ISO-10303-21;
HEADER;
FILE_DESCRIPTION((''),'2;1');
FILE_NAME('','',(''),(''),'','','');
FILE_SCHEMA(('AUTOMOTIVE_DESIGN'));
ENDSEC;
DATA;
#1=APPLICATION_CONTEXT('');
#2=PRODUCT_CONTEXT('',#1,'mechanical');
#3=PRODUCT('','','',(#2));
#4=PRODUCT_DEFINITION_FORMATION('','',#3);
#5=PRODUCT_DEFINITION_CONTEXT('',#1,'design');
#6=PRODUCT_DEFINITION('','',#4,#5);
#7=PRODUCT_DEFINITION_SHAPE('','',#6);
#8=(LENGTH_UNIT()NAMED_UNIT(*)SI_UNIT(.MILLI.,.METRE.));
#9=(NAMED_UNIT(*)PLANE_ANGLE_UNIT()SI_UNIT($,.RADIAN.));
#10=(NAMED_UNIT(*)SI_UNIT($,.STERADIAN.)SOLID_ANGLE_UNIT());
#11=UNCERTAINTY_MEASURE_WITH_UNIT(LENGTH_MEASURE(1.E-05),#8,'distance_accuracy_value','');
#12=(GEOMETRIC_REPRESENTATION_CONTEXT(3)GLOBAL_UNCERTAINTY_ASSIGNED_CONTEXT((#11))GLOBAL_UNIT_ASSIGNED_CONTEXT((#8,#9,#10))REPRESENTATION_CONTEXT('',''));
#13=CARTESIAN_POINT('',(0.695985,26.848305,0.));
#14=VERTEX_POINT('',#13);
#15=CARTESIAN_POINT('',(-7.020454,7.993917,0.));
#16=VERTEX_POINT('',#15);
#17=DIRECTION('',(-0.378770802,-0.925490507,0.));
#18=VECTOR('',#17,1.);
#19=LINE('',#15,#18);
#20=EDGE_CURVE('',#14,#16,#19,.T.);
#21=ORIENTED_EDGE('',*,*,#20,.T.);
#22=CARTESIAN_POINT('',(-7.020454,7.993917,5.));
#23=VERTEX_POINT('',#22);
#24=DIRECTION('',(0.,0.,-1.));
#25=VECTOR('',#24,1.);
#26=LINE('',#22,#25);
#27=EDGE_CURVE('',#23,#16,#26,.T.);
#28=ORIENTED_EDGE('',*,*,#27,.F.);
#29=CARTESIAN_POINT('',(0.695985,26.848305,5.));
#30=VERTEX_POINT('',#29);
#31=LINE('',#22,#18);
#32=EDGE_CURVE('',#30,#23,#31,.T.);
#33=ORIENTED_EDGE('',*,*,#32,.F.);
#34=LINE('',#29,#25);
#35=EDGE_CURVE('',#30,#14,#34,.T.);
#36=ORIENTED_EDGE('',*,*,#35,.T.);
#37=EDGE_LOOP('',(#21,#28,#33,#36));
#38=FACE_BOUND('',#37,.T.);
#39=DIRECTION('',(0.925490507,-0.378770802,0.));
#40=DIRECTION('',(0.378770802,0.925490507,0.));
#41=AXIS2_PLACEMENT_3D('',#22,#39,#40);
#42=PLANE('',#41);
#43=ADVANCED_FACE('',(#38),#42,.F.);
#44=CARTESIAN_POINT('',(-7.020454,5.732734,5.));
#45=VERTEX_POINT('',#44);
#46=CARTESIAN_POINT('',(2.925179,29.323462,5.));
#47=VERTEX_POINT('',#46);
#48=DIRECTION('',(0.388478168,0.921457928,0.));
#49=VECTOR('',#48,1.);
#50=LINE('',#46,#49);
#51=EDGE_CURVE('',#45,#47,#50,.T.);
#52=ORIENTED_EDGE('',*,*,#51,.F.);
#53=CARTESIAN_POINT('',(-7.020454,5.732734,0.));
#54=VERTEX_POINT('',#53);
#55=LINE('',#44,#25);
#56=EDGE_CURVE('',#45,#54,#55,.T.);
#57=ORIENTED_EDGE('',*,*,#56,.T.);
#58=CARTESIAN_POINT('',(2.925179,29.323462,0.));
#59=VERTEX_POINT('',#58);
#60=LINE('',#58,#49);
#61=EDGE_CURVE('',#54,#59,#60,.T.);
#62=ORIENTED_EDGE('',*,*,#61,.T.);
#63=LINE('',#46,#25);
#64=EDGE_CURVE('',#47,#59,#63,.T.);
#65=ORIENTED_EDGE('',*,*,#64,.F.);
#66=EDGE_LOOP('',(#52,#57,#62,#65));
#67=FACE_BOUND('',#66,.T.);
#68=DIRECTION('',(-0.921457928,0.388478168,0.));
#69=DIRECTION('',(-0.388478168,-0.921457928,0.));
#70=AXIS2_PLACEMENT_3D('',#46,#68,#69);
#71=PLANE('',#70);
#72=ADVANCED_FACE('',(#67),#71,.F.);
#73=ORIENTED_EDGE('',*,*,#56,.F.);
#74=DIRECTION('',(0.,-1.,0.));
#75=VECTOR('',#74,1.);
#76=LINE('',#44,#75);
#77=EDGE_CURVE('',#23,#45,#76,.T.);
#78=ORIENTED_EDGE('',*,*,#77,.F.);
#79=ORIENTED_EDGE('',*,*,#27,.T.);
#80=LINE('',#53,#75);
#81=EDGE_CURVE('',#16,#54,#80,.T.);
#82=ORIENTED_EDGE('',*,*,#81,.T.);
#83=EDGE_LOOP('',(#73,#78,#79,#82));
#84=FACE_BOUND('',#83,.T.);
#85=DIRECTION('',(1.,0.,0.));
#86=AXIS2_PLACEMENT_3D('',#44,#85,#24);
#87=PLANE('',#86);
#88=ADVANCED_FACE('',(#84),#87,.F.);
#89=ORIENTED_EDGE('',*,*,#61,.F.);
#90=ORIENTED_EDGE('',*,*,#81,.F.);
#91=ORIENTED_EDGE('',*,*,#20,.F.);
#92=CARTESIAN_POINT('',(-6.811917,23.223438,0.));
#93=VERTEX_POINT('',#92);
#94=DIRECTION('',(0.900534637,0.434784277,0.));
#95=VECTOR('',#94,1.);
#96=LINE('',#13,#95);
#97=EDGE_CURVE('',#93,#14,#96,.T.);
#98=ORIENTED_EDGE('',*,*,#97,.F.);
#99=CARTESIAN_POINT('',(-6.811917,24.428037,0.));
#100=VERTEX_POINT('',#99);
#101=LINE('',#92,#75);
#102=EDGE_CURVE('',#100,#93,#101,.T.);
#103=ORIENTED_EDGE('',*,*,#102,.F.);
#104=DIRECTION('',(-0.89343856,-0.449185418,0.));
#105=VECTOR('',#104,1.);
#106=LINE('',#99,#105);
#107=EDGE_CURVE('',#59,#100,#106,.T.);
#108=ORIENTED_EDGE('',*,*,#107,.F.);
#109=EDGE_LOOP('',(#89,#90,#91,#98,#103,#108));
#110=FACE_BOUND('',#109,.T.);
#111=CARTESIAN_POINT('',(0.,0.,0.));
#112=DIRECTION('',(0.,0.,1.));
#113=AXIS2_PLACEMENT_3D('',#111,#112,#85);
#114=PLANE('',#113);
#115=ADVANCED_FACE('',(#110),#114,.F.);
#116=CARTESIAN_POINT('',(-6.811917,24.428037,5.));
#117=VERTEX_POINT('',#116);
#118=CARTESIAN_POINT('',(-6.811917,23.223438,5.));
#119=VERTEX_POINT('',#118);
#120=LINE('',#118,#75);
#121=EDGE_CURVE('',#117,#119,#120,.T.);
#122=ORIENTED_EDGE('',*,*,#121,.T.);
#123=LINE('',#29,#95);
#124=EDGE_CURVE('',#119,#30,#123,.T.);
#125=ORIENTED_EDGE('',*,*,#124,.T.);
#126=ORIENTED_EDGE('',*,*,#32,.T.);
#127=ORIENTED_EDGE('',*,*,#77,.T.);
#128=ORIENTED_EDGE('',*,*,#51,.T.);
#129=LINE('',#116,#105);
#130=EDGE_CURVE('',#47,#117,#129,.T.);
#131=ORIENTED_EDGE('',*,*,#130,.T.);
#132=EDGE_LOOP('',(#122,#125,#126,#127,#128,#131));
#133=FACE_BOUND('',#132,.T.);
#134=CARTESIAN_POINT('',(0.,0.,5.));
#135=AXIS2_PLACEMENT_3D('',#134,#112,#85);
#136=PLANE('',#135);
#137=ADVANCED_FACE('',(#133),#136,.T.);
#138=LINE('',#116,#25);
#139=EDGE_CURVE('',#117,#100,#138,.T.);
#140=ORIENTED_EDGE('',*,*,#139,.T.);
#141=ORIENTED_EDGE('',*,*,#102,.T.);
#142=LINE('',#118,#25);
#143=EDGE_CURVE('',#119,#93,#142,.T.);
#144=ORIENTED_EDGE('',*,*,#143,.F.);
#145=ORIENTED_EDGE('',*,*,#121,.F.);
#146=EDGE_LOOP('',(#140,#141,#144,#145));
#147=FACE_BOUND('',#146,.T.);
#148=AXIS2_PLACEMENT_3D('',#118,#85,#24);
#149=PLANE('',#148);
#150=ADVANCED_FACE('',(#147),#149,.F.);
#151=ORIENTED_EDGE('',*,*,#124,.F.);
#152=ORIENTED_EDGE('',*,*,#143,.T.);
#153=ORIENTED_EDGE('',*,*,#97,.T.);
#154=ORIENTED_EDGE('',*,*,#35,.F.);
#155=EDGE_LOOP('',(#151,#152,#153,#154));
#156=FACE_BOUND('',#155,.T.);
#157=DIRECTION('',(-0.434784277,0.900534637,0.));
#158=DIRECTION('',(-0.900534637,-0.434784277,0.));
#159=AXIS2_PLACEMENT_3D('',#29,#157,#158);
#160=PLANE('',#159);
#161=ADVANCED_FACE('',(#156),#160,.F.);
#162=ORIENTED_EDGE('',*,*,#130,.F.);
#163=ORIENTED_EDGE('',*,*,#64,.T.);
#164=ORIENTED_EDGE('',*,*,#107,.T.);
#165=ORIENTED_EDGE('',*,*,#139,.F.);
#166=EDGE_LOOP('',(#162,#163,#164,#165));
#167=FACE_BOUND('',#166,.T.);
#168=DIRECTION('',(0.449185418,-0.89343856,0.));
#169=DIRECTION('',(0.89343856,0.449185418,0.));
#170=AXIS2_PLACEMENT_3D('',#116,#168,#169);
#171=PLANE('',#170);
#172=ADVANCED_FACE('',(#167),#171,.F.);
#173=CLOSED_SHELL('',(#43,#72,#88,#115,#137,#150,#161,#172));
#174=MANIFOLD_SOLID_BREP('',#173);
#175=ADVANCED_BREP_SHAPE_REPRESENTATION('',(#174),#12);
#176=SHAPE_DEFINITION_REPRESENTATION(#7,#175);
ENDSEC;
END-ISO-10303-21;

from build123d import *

# Parameters (mm, degrees)
BOSS_EXTRUDE1_DEPTH = 5


with BuildPart() as part:
    # Sketch1 → Boss-Extrude1 (new body)
    with BuildSketch(Plane.XY):
        Polygon((-6.811917138, 24.428036834), (2.9251791, 29.323462032), (-7.020454333, 5.732734115), (-7.020454333, 7.993916764), (0.695985399, 26.848304899), (-6.811917138, 23.223438247), align=None)
    extrude(amount=BOSS_EXTRUDE1_DEPTH)


solid = part.part
